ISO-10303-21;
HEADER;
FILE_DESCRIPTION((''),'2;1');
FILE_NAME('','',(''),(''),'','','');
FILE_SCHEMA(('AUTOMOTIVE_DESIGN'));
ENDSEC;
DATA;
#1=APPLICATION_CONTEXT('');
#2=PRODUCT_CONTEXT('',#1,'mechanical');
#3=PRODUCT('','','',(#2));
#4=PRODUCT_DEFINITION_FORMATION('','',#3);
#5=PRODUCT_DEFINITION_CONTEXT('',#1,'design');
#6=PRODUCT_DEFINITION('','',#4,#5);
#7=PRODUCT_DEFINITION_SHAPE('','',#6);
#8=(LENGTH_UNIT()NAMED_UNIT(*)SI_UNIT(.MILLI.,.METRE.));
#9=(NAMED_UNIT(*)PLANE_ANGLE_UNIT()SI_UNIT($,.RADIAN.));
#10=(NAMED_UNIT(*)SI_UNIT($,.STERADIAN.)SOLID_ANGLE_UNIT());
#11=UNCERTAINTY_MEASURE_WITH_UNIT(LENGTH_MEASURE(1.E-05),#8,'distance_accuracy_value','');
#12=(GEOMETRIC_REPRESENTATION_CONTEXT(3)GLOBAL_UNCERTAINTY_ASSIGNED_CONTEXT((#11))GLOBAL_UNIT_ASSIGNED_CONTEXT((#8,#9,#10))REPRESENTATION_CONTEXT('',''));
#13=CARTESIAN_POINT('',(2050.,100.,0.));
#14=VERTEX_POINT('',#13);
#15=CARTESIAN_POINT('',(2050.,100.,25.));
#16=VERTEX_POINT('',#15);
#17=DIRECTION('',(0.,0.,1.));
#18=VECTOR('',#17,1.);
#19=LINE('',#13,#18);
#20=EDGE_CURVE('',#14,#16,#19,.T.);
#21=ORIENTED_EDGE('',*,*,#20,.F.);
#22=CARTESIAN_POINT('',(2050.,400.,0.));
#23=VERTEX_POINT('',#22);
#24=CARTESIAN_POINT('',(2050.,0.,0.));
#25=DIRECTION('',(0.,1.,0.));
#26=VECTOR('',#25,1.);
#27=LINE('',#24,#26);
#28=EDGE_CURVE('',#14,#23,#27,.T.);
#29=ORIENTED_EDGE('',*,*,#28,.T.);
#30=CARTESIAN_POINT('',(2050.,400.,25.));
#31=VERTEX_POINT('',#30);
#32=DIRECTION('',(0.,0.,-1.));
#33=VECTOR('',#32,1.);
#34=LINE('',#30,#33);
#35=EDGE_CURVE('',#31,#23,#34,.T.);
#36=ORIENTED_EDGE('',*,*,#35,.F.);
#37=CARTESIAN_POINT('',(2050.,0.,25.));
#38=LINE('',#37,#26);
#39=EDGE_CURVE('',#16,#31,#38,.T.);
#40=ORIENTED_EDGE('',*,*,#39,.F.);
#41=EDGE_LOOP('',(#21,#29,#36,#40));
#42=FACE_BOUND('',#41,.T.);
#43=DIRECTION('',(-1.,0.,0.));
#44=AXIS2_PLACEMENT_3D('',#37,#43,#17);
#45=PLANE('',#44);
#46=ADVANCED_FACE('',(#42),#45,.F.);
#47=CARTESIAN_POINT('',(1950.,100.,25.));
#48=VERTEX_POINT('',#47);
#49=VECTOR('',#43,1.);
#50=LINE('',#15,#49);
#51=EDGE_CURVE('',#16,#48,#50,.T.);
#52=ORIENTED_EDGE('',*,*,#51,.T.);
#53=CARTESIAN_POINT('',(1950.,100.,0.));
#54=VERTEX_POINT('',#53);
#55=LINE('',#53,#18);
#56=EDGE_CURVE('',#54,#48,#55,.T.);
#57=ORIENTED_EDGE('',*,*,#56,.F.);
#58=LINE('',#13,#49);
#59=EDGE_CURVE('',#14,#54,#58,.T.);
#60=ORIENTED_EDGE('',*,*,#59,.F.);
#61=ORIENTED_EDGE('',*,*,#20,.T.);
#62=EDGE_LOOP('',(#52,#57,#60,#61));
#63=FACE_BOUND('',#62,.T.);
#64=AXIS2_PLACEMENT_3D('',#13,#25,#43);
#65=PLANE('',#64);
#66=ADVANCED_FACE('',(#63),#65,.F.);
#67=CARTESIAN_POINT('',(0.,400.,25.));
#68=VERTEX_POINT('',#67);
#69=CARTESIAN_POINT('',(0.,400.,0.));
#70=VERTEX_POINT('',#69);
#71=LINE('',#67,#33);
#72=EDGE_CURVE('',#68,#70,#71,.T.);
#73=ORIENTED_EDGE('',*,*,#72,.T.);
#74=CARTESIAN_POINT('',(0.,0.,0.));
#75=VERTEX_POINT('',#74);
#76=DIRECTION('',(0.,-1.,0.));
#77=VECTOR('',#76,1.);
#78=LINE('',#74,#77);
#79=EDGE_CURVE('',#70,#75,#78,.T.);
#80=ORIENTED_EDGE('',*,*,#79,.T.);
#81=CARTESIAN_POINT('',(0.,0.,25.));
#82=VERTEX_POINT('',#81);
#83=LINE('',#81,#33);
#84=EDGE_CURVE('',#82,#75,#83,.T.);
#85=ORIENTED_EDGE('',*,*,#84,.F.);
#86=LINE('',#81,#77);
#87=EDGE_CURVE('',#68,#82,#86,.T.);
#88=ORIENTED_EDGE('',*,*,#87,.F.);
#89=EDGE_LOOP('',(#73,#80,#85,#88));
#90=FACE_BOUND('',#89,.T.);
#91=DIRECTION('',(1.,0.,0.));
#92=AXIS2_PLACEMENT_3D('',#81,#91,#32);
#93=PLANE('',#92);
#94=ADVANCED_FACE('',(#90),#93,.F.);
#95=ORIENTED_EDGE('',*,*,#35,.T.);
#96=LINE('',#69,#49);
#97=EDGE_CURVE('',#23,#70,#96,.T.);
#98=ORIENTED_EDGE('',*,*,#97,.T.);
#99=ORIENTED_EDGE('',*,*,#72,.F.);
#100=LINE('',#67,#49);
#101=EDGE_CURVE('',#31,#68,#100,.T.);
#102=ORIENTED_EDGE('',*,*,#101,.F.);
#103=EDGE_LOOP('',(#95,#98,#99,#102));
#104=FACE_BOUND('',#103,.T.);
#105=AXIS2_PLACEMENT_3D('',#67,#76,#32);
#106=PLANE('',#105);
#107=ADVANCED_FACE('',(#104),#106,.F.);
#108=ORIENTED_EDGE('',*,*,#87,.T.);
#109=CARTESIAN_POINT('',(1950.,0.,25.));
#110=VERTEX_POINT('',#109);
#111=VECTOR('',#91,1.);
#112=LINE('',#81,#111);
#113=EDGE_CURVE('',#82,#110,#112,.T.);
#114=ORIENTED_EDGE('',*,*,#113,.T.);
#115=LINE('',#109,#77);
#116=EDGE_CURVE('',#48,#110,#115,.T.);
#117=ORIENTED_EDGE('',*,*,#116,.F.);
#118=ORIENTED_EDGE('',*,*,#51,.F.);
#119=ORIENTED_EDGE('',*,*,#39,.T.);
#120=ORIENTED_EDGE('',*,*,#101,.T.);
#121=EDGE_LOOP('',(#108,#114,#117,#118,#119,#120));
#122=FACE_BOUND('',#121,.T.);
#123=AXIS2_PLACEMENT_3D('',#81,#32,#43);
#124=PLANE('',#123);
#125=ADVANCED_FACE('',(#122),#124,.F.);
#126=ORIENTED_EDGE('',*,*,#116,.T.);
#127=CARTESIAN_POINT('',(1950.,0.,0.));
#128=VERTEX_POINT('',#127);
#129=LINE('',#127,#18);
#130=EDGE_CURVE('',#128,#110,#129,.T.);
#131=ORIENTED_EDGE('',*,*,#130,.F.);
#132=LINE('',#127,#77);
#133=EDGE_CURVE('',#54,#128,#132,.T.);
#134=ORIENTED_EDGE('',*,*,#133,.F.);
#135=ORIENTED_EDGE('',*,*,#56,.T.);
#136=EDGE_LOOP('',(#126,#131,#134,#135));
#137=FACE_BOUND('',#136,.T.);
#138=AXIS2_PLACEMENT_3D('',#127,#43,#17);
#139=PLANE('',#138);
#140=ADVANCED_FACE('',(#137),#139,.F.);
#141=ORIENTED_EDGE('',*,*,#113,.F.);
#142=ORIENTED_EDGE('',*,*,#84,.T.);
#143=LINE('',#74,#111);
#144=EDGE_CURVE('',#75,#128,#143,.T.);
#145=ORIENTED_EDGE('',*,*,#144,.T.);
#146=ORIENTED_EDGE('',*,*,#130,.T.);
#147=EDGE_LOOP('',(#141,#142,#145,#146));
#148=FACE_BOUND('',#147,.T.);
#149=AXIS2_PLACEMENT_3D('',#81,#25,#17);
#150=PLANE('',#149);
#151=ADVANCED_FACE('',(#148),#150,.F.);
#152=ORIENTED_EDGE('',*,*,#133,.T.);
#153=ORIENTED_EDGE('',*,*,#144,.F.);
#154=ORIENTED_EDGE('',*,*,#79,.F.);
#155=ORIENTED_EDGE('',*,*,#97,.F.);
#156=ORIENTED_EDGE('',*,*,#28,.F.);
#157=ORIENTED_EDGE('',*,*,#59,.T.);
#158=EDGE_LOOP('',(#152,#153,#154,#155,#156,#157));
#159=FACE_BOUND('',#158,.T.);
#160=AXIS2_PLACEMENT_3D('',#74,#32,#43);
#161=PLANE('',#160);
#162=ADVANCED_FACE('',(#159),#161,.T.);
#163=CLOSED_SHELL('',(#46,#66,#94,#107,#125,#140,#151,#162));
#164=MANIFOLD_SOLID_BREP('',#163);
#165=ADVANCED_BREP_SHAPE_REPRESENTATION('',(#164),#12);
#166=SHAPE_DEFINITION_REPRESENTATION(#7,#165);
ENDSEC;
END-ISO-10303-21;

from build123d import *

# Parameters (mm, degrees)
ESBO_O1_W                = 2050
ESBO_O1_H                = 400
RESSALTO_EXTRUS_O1_DEPTH = 25
ESBO_O3_W                = 100
ESBO_O3_H                = 100
CORTE_EXTRUS_O2_DEPTH    = 25


with BuildPart() as part:
    # Esboço1 → Ressalto-extrusão1 (new body)
    with BuildSketch(Plane.XY):
        with Locations((1025, 200)):
            Rectangle(ESBO_O1_W, ESBO_O1_H)
    extrude(amount=RESSALTO_EXTRUS_O1_DEPTH)

    # Esboço3 → Corte-extrusão2 (cut)
    with BuildSketch(Plane.XY.offset(25)):
        with Locations((2000, 50)):
            Rectangle(ESBO_O3_W, ESBO_O3_H)
    extrude(amount=-CORTE_EXTRUS_O2_DEPTH, mode=Mode.SUBTRACT)


solid = part.part
